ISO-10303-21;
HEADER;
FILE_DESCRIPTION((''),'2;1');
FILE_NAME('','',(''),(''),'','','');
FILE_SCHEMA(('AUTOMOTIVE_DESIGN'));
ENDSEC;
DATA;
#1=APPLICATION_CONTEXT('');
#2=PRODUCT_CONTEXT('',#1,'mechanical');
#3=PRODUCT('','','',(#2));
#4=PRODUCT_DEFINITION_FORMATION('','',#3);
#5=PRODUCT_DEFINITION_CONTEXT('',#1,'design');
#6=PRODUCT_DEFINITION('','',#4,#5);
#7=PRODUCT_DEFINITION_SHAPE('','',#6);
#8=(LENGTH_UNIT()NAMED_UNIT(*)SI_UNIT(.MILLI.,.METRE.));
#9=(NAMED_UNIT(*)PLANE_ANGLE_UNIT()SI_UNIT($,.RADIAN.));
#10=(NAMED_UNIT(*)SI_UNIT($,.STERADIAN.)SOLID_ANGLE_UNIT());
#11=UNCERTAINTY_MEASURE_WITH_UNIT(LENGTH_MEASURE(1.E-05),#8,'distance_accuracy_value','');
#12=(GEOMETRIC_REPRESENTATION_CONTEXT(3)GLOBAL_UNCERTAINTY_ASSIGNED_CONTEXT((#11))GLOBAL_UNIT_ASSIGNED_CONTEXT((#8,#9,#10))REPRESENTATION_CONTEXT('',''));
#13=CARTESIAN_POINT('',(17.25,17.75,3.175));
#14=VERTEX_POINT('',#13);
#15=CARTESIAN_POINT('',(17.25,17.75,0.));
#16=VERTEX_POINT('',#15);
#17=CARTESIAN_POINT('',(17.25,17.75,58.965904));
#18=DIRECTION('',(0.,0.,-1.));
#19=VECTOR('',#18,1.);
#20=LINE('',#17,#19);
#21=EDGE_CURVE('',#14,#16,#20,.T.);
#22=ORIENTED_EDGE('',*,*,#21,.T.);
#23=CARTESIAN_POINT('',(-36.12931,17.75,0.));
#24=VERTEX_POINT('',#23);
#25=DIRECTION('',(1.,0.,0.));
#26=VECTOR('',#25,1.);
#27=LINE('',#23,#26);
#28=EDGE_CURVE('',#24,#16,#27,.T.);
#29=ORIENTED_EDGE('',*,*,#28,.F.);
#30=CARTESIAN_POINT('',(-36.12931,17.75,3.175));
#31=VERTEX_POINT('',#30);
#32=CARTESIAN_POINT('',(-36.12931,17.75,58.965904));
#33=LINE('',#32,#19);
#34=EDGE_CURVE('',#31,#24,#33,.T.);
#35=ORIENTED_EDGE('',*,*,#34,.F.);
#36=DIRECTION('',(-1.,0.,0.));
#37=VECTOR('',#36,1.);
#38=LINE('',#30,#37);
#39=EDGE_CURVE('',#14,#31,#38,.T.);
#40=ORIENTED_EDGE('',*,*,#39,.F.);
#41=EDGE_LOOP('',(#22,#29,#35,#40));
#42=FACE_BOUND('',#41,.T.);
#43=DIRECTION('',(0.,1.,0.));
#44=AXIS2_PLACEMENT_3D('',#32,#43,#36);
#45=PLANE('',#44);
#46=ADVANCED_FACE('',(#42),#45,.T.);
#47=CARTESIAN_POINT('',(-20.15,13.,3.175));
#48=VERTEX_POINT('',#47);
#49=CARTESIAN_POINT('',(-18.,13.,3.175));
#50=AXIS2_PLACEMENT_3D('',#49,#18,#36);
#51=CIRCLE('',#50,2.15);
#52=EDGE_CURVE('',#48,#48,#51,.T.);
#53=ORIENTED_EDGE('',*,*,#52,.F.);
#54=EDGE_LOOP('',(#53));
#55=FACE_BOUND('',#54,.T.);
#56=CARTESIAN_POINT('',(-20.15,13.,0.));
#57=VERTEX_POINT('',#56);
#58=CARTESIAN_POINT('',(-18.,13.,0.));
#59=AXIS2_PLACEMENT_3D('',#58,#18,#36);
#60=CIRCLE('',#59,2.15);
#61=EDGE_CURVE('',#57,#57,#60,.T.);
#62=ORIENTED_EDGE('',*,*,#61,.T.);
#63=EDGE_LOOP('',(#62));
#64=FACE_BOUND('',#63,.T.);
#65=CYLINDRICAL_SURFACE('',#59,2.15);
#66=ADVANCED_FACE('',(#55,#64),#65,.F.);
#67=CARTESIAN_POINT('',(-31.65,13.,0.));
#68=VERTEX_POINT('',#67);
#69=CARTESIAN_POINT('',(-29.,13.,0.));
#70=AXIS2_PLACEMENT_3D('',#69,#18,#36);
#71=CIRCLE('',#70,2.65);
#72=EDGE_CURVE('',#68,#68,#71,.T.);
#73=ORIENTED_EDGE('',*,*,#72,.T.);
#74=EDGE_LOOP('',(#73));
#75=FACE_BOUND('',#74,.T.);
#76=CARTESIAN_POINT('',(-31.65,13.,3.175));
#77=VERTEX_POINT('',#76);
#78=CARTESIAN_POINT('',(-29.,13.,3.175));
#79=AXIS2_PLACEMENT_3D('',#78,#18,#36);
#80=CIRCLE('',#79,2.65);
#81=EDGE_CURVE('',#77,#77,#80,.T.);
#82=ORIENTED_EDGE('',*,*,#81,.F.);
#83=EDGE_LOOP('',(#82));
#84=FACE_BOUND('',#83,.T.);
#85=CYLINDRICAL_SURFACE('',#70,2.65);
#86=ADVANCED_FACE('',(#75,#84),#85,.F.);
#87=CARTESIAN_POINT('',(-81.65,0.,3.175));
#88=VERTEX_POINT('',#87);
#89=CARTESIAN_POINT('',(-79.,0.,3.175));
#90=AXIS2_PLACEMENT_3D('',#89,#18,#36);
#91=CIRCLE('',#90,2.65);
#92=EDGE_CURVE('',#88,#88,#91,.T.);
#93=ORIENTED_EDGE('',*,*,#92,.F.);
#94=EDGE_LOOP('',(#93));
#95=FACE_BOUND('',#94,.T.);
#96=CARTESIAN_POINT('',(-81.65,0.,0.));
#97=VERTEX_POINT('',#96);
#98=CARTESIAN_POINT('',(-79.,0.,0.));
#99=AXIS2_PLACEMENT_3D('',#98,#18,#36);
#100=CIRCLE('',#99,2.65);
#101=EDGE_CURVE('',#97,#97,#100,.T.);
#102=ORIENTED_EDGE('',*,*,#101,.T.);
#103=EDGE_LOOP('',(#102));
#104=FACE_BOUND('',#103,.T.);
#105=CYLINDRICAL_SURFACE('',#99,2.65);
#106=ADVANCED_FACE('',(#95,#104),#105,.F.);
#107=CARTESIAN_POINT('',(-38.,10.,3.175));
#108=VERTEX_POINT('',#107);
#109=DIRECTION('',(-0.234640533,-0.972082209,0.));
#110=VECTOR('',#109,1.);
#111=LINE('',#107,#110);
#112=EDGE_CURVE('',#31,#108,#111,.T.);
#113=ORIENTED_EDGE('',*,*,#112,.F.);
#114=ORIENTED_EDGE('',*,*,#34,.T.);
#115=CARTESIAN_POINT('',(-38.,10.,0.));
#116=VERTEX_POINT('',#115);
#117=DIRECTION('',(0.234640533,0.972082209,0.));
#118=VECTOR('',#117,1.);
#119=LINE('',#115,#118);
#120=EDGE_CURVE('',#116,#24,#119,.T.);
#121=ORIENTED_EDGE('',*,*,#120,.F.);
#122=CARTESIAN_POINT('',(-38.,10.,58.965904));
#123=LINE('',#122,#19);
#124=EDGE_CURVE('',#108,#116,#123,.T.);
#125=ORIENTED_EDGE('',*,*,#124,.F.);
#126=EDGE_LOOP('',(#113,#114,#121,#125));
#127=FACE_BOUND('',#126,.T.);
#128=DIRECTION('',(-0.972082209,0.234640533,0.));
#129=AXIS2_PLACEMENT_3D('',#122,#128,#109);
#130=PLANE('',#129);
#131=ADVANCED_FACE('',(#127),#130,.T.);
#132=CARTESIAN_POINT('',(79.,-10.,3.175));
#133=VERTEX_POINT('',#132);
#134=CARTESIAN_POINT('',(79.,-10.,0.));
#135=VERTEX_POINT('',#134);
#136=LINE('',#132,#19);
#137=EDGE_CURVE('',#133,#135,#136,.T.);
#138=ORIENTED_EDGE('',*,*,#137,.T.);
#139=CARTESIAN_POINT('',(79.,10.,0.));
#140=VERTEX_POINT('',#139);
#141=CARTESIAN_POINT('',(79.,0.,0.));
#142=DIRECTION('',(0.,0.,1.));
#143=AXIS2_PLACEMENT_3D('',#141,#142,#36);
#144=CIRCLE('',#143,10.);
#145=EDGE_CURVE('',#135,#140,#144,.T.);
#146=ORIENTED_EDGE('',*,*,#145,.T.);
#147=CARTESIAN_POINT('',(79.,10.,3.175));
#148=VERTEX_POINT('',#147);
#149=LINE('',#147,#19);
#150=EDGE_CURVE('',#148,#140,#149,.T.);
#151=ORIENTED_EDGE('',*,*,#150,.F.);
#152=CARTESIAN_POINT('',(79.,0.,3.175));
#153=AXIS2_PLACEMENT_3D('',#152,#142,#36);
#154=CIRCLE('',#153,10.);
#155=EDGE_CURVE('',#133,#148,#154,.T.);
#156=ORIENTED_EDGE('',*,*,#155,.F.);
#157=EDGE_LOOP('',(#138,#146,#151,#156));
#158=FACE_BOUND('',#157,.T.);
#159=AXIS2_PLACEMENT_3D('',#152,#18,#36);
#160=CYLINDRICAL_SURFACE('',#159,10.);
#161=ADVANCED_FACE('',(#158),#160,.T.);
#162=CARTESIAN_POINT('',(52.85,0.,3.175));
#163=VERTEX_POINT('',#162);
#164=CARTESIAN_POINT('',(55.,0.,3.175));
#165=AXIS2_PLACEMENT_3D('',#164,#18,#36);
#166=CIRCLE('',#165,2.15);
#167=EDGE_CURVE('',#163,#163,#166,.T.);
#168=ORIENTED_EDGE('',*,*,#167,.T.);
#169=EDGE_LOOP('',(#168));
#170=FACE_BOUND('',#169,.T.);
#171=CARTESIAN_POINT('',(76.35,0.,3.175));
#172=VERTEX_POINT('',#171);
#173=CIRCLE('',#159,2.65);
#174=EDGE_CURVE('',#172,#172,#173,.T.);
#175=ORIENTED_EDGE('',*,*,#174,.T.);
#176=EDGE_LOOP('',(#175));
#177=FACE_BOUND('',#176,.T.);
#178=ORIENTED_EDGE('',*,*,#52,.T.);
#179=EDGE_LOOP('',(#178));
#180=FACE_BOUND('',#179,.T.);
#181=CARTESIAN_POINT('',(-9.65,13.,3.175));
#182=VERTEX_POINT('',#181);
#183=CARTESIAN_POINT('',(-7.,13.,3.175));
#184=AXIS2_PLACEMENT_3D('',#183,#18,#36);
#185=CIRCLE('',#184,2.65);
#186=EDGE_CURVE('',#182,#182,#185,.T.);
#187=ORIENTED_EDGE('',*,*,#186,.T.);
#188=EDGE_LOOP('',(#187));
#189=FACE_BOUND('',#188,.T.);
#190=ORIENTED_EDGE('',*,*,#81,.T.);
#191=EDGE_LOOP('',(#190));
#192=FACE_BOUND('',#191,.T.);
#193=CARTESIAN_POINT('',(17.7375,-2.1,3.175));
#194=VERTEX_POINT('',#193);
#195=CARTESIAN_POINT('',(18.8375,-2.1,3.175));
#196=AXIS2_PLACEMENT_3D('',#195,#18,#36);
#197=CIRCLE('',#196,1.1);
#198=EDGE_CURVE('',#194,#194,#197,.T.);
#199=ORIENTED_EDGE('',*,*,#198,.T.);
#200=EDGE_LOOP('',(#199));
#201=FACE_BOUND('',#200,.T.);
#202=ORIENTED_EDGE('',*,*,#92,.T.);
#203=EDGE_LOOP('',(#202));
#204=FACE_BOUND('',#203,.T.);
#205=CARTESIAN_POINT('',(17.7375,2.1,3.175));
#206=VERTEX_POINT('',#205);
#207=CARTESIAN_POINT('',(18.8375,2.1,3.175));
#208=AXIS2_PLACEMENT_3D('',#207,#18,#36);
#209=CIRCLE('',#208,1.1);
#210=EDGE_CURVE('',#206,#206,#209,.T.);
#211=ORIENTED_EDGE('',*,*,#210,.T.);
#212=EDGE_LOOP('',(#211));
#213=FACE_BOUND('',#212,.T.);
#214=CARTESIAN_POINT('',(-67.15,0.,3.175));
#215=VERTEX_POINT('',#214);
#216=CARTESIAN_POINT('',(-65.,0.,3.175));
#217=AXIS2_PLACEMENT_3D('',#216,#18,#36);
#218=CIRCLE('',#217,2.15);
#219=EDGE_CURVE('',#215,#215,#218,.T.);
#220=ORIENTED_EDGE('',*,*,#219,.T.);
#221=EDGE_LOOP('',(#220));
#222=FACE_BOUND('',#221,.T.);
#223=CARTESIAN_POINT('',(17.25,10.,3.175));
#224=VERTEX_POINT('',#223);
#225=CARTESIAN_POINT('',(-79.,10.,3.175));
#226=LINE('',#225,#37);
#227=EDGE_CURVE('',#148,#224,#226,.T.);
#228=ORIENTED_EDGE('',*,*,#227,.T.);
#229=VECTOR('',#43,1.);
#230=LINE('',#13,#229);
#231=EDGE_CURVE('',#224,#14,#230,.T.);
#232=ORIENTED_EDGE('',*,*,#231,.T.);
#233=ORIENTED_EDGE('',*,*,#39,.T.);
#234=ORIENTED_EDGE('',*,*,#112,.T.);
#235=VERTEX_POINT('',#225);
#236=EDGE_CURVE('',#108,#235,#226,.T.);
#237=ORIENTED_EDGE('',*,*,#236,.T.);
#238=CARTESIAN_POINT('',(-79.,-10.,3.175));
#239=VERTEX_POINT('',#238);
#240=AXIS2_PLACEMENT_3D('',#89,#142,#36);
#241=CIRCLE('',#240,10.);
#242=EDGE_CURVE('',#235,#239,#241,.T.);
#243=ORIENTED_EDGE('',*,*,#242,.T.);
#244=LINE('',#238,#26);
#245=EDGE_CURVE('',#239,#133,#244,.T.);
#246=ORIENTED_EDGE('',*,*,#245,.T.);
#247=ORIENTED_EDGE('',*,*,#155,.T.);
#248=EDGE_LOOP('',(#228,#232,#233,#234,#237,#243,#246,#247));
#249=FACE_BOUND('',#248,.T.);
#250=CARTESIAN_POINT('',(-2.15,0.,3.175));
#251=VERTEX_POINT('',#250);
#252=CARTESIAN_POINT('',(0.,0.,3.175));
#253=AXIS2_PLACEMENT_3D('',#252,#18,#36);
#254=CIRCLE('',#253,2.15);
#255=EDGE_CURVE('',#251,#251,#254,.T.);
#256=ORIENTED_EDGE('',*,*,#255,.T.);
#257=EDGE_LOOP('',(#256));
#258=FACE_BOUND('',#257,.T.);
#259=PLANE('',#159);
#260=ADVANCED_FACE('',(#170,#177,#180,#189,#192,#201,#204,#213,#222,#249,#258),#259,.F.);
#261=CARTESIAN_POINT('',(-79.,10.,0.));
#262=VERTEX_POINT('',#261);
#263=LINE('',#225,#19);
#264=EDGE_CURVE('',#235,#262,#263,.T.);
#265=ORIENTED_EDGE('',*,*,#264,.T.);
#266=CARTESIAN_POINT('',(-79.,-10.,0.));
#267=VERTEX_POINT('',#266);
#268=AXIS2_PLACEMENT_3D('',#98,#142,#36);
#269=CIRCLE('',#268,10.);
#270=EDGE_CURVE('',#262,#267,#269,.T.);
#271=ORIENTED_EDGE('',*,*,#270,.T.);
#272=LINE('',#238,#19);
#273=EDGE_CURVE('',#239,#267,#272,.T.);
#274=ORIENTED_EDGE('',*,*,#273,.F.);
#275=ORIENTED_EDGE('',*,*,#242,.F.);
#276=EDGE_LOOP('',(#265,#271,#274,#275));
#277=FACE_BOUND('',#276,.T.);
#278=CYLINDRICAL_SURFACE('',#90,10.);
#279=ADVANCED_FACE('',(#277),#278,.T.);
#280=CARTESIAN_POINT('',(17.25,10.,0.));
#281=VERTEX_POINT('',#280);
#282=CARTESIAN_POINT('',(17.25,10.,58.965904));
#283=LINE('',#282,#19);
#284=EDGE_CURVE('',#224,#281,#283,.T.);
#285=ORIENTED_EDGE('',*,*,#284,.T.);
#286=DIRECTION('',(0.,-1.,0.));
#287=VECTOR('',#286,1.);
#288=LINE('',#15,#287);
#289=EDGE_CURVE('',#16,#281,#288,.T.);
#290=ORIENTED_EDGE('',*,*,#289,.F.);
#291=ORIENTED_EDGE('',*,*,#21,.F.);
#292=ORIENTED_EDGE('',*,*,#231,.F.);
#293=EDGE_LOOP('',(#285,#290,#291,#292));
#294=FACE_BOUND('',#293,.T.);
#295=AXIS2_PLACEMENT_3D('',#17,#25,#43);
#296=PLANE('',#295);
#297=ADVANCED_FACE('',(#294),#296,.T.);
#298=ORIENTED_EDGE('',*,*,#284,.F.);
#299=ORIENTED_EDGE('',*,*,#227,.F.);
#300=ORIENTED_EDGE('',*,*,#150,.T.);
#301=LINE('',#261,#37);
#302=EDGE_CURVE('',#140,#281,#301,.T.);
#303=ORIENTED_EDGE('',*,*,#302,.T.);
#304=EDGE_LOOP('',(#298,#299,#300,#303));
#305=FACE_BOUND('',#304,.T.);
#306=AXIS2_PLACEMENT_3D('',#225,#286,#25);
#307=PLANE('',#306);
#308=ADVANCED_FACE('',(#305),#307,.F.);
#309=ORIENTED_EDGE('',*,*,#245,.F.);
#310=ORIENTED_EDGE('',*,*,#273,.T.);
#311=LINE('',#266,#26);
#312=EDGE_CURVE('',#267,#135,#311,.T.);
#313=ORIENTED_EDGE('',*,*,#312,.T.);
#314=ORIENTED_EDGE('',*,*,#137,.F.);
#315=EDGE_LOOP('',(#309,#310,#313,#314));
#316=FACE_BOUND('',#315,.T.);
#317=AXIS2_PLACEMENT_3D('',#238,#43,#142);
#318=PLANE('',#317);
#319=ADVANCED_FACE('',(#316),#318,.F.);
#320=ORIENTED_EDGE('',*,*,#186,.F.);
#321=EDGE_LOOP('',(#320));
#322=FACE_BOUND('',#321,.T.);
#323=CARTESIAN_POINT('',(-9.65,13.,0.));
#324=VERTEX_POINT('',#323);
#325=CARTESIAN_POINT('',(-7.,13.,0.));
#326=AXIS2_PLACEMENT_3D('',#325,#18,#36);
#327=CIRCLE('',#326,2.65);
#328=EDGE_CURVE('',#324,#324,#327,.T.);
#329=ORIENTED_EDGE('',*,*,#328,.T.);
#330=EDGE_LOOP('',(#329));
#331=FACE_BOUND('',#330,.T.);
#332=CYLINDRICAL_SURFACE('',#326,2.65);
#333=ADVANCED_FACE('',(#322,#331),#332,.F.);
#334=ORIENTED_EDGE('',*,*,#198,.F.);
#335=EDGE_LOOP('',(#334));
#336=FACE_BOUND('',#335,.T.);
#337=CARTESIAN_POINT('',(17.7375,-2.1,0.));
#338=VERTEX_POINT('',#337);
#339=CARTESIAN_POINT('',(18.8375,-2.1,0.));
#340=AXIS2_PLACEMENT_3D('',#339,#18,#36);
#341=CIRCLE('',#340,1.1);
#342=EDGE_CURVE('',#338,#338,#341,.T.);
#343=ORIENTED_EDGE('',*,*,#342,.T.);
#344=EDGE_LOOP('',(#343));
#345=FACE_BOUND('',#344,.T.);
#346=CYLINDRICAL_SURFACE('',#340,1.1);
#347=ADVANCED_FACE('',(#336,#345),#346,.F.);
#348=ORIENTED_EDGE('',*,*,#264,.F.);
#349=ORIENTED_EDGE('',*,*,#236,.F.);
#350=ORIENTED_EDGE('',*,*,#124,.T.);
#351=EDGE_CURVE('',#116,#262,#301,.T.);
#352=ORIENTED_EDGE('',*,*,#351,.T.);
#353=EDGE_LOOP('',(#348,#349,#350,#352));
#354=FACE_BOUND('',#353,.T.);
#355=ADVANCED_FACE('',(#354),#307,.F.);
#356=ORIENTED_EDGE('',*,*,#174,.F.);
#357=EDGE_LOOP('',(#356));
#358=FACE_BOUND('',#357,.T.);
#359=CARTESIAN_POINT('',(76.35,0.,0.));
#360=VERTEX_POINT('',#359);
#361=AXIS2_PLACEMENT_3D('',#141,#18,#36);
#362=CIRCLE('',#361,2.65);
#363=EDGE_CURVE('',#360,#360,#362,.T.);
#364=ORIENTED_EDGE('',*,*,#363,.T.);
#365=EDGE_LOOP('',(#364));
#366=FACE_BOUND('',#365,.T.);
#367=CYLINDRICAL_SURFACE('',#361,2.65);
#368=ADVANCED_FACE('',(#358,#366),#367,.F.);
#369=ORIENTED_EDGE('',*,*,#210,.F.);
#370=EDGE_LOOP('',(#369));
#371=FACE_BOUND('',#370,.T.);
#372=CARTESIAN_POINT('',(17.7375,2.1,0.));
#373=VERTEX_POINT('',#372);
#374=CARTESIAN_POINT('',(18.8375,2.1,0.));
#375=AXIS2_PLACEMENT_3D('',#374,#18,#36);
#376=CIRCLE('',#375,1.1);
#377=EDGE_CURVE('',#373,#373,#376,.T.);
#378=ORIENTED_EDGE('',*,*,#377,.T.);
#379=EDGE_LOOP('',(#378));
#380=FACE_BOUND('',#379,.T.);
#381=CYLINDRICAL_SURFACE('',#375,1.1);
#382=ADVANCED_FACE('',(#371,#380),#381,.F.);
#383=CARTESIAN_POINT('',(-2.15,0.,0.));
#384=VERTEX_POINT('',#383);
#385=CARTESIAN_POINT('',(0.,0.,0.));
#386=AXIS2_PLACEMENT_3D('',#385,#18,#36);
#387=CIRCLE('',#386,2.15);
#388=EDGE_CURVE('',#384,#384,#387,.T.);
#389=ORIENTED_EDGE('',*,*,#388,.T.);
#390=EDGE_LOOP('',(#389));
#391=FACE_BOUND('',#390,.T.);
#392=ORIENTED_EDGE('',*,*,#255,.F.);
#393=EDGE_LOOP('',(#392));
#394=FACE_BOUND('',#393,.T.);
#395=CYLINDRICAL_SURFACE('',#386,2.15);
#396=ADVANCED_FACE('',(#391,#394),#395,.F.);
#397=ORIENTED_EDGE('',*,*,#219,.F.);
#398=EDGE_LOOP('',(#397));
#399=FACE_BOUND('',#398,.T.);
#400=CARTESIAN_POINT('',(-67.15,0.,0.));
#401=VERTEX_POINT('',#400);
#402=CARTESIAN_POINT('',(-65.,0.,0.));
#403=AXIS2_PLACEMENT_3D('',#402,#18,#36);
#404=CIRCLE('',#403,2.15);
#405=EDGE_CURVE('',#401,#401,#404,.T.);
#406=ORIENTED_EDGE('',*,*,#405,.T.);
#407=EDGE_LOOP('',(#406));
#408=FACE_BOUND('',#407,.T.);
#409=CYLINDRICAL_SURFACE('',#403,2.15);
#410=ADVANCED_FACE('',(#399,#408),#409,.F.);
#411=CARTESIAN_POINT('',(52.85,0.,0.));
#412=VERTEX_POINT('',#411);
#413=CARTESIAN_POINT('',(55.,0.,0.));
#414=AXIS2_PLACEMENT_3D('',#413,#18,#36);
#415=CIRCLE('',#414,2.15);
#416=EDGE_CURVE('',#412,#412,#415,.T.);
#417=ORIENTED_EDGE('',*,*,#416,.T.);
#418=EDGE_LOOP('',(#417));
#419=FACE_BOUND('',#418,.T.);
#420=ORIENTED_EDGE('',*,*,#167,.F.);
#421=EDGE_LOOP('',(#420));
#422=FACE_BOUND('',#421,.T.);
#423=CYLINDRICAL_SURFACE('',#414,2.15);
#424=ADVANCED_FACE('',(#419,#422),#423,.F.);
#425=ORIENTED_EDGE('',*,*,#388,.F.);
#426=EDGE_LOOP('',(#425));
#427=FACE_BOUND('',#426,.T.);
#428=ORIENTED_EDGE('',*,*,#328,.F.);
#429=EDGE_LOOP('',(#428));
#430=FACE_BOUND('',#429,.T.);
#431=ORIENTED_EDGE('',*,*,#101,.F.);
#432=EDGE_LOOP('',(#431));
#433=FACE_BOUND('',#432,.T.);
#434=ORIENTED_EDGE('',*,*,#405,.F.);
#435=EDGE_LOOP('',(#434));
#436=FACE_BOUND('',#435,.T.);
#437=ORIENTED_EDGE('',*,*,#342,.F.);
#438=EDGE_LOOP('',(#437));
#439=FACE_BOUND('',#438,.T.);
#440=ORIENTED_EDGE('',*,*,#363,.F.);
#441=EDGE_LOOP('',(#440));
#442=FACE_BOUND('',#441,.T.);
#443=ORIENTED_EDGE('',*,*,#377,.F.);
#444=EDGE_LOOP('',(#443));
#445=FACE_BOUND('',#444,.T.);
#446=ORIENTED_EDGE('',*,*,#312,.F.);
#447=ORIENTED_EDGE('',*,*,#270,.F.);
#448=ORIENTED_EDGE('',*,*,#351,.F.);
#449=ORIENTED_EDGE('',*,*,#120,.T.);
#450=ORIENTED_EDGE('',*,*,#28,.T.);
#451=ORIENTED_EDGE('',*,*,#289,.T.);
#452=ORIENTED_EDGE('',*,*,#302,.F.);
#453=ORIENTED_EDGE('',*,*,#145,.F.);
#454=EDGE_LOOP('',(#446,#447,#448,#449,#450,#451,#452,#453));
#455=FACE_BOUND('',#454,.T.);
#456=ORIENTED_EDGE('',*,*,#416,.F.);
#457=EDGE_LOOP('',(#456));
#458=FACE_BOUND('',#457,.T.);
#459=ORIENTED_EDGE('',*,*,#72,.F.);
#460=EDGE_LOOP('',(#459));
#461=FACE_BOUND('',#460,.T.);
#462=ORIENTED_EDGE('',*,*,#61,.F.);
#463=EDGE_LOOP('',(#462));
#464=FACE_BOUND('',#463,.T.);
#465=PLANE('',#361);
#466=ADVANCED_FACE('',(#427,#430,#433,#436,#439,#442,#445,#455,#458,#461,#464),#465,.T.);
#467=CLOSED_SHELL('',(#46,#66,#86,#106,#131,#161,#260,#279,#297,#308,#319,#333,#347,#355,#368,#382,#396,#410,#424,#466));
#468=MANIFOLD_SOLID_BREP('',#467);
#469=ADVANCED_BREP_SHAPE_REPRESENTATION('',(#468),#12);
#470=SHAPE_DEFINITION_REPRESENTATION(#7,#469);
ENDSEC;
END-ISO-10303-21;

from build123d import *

# Parameters (mm, degrees)
BOSS_EXTRUDE1_DEPTH  = 3.175
M5_CLEARANCE_HOLE1_D = 5.3
BOSS_EXTRUDE2_DEPTH  = 3.175
M5_CLEARANCE_HOLE2_D = 5.3
M4_CLEARANCE_HOLE1_D = 4.3
M2_CLEARANCE_HOLE1_D = 2.2


with BuildPart() as part:
    # Sketch1 → Boss-Extrude1 (new body)
    with BuildSketch(Plane.XY):
        with BuildLine():
            Line((-79, 10), (79, 10))
            ThreePointArc((79, 10), (89, 0), (79, -10))
            Line((79, -10), (-79, -10))
            ThreePointArc((-79, -10), (-89, 0), (-79, 10))
        make_face()
    extrude(amount=BOSS_EXTRUDE1_DEPTH)

    # M5 Clearance Hole1 (through all)
    with Locations(Plane(origin=(0, 0, 0), x_dir=(-1, 0, 0), z_dir=(0, 0, -1))):
        with Locations((-79, 0), (79, 0)):
            Hole(M5_CLEARANCE_HOLE1_D / 2)

    # Sketch8 → Boss-Extrude2 (add)
    with BuildSketch(Plane(origin=(0, 0, 0), x_dir=(-1, 0, 0), z_dir=(0, 0, -1))):
        Polygon((38, 10), (36.129310345, 17.75), (-17.25, 17.75), (-17.25, 10), align=None)
    extrude(amount=-BOSS_EXTRUDE2_DEPTH)

    # M5 Clearance Hole2 (through all)
    with Locations(Plane(origin=(0, 0, 0), x_dir=(-1, 0, 0), z_dir=(0, 0, -1))):
        with Locations((7, 13), (29, 13)):
            Hole(M5_CLEARANCE_HOLE2_D / 2)

    # M4 Clearance Hole1 (through all)
    with Locations(Plane(origin=(0, 0, 0), x_dir=(-1, 0, 0), z_dir=(0, 0, -1))):
        with Locations((0, 0), (-55, 0), (18, 13), (65, 0)):
            Hole(M4_CLEARANCE_HOLE1_D / 2)

    # M2 Clearance Hole1 (through all)
    with Locations(Plane(origin=(0, 0, 0), x_dir=(-1, 0, 0), z_dir=(0, 0, -1))):
        with Locations((-18.8375, -2.1), (-18.8375, 2.1)):
            Hole(M2_CLEARANCE_HOLE1_D / 2)


solid = part.part
